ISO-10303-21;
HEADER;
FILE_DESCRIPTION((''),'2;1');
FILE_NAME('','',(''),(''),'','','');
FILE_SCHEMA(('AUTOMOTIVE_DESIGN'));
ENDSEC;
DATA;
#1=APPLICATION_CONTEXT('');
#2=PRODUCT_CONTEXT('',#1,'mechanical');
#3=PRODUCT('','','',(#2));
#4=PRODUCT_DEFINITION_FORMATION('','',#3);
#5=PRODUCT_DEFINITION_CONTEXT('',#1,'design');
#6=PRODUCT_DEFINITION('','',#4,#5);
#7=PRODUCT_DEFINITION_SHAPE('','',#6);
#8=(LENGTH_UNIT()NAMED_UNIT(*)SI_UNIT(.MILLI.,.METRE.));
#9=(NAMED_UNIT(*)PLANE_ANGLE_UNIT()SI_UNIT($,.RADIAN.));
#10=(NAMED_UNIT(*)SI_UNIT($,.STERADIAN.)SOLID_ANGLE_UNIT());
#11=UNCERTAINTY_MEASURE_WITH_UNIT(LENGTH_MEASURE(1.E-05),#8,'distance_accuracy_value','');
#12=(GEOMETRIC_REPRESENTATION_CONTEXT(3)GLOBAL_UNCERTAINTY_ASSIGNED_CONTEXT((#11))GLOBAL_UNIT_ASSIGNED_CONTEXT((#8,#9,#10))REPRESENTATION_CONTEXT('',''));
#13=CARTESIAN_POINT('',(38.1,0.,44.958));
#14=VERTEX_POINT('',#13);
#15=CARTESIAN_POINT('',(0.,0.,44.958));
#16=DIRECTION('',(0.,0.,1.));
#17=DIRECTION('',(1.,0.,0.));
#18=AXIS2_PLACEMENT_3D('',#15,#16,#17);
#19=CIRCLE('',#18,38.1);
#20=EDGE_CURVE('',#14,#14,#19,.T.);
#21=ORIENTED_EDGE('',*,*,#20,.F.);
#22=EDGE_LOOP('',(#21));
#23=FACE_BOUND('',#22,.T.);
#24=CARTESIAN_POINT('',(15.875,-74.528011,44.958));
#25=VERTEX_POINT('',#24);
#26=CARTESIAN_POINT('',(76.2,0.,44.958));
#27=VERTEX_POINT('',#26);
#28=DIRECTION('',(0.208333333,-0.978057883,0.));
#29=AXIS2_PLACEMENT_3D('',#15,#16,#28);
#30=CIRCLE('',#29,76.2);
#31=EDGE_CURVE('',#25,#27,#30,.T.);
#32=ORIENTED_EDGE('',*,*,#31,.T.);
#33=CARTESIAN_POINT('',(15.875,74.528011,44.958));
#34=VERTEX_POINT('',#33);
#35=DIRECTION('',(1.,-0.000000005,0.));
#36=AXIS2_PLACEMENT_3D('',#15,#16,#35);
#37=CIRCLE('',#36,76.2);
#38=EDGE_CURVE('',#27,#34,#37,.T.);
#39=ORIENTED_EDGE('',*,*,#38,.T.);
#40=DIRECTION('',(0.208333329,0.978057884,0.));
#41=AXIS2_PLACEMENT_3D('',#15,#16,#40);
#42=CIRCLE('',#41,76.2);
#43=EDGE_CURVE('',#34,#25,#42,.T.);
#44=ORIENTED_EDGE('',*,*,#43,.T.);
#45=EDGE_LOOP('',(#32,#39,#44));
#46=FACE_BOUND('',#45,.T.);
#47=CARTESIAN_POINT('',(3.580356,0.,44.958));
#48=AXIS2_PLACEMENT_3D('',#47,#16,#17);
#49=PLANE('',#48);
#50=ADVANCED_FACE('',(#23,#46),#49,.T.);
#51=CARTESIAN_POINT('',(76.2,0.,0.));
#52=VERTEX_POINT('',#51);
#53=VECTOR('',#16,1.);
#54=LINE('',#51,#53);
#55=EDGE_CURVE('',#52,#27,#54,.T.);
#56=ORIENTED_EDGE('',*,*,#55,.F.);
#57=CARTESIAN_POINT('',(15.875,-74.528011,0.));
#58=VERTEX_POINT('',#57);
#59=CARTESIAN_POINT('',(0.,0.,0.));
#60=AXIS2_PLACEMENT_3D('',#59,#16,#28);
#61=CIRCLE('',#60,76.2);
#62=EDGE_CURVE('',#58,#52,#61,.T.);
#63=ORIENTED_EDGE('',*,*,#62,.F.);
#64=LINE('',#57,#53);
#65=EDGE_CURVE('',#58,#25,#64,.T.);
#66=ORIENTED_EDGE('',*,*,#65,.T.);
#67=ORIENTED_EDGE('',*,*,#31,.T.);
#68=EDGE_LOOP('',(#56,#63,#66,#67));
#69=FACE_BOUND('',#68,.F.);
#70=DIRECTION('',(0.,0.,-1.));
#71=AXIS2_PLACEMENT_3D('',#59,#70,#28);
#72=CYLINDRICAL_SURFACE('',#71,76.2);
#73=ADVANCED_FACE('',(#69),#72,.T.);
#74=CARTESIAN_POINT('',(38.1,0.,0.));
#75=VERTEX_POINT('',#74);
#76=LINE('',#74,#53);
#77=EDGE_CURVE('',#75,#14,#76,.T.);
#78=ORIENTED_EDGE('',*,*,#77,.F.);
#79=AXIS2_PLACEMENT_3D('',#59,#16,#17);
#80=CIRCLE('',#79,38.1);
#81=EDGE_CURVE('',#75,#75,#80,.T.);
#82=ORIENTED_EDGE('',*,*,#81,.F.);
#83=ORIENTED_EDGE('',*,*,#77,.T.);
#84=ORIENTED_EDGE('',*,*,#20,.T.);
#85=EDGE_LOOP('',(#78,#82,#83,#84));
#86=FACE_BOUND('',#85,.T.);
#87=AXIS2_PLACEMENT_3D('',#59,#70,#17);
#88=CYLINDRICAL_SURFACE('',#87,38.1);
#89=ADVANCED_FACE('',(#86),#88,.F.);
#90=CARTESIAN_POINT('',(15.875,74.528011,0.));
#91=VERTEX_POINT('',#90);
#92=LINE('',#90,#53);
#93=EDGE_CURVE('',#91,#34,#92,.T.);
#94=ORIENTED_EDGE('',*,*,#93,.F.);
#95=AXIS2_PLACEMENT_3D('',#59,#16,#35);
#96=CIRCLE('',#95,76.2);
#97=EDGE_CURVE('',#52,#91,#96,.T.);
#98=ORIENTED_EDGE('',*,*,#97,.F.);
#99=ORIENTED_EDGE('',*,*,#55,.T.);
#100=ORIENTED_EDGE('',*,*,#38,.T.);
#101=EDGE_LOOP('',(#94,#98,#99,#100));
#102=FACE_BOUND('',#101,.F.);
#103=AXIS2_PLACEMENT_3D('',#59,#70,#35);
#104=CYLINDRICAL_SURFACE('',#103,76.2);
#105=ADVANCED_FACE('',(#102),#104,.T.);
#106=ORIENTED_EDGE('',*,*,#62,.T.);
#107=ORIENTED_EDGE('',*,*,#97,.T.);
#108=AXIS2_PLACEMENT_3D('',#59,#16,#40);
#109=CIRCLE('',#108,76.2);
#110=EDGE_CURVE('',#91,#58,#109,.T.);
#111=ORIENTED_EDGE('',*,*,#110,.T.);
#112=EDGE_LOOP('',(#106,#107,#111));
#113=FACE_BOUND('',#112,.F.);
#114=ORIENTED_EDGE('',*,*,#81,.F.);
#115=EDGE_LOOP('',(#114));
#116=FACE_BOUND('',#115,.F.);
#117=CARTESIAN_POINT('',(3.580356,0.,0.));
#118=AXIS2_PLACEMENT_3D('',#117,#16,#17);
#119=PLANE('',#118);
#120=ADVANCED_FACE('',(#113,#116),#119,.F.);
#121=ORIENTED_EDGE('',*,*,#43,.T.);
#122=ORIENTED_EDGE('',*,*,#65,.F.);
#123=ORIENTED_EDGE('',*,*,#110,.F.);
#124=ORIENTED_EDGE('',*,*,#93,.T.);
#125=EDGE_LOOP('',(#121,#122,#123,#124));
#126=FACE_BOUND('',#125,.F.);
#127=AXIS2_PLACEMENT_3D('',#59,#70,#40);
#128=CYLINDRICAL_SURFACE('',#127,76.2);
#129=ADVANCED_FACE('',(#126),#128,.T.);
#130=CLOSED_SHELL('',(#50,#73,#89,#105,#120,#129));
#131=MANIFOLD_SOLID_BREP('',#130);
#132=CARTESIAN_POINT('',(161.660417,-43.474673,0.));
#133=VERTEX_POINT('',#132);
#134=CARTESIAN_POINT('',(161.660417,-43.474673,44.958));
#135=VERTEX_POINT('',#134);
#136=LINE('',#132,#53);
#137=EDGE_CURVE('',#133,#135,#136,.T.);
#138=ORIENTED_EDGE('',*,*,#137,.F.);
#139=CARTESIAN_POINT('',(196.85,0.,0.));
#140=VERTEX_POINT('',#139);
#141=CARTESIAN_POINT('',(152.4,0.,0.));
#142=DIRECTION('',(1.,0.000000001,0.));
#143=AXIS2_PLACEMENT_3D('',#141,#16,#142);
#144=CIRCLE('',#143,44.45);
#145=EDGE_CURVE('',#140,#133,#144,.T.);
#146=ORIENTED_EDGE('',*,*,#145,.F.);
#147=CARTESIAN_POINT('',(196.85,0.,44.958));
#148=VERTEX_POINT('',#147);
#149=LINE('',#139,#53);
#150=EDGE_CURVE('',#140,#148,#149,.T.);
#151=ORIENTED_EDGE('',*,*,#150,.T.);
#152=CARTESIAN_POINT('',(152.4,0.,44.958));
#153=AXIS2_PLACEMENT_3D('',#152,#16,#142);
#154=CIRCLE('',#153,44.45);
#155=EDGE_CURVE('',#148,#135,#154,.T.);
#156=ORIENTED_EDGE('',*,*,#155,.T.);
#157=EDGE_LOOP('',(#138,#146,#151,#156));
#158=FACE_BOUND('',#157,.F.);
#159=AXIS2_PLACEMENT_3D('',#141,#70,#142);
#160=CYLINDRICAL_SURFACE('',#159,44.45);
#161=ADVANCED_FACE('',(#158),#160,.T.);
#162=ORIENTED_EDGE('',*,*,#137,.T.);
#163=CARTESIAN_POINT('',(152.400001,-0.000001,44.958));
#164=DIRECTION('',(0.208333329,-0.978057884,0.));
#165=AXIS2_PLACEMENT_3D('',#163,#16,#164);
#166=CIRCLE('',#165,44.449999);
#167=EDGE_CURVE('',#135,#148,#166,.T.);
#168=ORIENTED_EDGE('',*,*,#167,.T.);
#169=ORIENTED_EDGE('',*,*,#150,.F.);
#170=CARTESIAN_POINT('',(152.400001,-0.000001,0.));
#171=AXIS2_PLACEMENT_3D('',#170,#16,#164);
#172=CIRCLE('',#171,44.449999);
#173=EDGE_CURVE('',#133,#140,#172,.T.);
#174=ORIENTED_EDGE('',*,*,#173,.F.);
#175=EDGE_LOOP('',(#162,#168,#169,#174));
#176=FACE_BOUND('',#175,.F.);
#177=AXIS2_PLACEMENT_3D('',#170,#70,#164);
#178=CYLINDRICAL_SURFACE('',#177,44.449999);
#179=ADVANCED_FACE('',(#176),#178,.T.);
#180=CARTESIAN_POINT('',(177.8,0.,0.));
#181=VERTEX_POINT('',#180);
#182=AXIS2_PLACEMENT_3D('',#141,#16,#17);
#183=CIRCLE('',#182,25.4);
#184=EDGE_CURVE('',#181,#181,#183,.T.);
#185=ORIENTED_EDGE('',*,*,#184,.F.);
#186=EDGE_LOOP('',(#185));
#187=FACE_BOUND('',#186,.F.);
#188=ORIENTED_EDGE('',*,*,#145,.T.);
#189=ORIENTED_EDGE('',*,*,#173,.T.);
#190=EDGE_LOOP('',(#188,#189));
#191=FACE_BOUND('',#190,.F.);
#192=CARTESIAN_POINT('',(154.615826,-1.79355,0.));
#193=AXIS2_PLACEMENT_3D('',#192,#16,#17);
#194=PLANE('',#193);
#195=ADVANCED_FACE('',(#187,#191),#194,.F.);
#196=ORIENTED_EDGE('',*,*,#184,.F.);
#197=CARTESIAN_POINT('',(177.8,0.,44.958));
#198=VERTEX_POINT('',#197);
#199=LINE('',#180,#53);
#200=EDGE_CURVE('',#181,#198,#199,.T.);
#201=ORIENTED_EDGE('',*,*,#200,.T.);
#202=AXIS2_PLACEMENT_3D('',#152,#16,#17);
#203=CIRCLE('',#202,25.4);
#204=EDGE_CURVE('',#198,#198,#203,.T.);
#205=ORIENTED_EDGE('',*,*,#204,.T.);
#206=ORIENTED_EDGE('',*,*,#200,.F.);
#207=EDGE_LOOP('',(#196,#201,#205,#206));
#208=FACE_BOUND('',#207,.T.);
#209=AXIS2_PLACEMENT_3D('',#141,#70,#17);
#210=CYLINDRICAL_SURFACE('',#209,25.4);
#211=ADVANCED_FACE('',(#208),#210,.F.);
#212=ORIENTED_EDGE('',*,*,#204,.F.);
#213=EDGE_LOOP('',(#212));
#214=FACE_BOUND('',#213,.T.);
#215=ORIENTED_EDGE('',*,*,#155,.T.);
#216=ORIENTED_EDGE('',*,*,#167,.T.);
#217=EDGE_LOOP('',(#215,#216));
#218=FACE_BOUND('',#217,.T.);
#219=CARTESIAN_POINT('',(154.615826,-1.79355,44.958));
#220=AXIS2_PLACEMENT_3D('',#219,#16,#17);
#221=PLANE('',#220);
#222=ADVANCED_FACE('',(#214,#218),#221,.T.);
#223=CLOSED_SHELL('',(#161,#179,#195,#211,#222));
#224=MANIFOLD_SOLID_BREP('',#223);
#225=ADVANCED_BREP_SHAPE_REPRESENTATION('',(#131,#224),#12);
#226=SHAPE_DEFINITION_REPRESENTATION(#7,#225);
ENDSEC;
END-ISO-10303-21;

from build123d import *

# Parameters (mm, degrees)
F0_R     = 38.1
F0_R_2   = 25.4
F1_DEPTH = 44.958


with BuildPart() as f1:
    # F0 (on Top) → F1 (new body)
    with BuildSketch(Plane.XY):
        with BuildLine():
            ThreePointArc((15.875, -74.528011), (59.228857, -47.941449), (76.2, 0))
            ThreePointArc((76.2, 0), (59.228857, 47.941449), (15.875, 74.528011))
            ThreePointArc((15.875, 74.528011), (-76.2, 0), (15.875, -74.528011))
        make_face()
        Circle(F0_R, mode=Mode.SUBTRACT)
        with BuildLine():
            ThreePointArc((196.85, 0), (117.849833, 27.965845), (161.660417, -43.474673))
            ThreePointArc((161.660417, -43.474673), (186.950167, -27.965845), (196.85, 0))
        make_face()
        with Locations((152.4, 0)):
            Circle(F0_R_2, mode=Mode.SUBTRACT)
    extrude(amount=F1_DEPTH)


solid = f1.part
